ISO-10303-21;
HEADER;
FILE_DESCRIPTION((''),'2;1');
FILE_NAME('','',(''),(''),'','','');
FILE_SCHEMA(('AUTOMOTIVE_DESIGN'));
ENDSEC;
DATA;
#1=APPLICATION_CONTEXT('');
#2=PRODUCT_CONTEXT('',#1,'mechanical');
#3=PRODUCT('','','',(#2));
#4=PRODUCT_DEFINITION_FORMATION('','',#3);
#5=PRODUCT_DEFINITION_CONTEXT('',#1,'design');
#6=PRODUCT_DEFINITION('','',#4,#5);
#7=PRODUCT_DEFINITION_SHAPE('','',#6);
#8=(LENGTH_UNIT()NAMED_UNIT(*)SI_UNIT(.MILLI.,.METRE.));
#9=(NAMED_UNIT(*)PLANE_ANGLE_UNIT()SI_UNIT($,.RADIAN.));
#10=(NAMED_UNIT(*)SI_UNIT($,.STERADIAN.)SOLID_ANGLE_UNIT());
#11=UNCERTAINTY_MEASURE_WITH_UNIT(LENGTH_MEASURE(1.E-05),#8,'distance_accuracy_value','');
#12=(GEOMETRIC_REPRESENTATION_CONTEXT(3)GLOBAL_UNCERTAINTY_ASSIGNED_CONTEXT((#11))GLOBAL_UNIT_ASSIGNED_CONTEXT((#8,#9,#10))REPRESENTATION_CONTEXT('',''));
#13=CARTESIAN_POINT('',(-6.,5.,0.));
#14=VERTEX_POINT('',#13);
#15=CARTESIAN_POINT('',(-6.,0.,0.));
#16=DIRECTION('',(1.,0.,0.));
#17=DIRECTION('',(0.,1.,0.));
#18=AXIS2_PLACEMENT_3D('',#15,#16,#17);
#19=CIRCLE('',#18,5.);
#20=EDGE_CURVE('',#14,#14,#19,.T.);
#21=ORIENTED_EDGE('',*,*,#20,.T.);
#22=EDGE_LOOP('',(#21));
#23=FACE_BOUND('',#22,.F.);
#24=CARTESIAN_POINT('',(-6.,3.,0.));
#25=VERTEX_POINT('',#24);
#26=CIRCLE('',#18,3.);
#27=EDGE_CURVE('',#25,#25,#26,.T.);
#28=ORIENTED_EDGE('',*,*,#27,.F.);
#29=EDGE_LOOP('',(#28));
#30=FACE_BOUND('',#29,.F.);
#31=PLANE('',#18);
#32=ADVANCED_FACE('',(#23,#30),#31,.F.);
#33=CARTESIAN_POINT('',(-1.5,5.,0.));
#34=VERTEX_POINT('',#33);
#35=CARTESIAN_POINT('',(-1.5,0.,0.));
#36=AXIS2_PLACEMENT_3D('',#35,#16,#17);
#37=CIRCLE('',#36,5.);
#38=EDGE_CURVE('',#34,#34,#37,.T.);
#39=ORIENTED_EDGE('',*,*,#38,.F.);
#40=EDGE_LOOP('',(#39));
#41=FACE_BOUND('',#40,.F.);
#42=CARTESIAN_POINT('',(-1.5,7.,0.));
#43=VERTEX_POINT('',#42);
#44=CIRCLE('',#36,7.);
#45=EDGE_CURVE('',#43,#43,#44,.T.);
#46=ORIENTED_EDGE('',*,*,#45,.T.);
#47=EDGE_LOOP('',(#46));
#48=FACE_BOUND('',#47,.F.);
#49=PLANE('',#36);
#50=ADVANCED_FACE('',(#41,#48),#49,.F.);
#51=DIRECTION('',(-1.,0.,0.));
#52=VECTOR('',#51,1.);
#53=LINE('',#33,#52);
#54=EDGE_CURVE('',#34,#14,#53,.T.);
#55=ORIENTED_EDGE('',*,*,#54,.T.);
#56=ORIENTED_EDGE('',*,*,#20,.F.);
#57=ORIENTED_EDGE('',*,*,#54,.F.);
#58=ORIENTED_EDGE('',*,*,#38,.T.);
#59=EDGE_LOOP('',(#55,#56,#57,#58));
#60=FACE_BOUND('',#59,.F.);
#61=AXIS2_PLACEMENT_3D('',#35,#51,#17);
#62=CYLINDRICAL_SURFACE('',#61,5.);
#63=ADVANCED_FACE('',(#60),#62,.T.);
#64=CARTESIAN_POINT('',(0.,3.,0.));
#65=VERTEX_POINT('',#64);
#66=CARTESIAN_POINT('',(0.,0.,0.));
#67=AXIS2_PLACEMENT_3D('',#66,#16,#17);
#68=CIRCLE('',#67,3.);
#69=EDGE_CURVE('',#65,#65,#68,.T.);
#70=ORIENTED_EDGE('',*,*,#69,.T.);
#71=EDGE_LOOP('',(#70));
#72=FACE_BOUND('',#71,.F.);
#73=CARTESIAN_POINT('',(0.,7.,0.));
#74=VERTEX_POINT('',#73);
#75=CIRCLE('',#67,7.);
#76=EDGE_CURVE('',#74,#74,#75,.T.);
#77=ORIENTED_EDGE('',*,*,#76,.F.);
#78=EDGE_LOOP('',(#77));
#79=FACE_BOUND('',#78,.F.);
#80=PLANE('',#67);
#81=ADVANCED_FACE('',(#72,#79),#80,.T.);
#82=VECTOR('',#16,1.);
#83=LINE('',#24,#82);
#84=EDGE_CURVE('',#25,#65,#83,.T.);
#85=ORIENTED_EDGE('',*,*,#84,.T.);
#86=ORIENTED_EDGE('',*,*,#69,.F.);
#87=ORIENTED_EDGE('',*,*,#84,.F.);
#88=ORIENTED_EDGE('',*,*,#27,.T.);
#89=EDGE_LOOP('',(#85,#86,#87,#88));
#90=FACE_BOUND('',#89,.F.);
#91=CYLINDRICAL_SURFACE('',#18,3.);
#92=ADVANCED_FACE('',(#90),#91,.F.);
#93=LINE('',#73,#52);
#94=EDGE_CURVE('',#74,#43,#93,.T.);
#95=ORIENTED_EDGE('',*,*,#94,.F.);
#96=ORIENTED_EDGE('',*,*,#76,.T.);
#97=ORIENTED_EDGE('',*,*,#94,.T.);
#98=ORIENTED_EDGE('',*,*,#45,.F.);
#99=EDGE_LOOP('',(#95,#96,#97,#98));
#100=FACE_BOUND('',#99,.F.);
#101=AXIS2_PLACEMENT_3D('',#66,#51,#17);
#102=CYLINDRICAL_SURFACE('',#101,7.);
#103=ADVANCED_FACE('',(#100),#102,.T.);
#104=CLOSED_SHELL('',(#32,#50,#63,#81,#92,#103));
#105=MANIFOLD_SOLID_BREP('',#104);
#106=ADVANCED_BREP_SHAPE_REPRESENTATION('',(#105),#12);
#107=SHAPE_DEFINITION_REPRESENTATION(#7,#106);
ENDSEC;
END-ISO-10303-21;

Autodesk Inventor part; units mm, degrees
ref_plane "YZ Plane" through (0, 0, 0) normal (1, 0, 0) x (0, 1, 0)
ref_plane "XZ Plane" through (0, 0, 0) normal (0, 1, 0) x (-1, 0, 0)
ref_plane "XY Plane" through (0, 0, 0) normal (0, 0, 1) x (1, 0, 0)
sketch "Skizze1" plane through (0, 0, 0) normal (0, 0, 1) x (1, 0, 0)
  line L0 (-7.2, 0) -> (1.2, 0) projected
  line L1 (0, -1.4) -> (0, 8.4) projected
  line L2 (-6, 3) -> (0, 3)
  line L3 (-1.5, 5) -> (-6, 5)
  line L4 (-6, 5) -> (-6, 3)
  line L5 (0, 3) -> (0, 7)
  line L6 (0, 7) -> (-1.5, 7)
  line L7 (-1.5, 7) -> (-1.5, 5)
  point P0 (0, 0)
  dimension "d0" = 6
  dimension "d1" = 10
  dimension "d2" = 14
  dimension "d3" = 1.5
  dimension "d4" = 6
revolve "Umdrehung1" add sketch "Skizze1" angle 360 about axis through (-10, 0, 0) along (1, 0, 0)
properties part number "Sinterbuchse 35 60 325 61014"
